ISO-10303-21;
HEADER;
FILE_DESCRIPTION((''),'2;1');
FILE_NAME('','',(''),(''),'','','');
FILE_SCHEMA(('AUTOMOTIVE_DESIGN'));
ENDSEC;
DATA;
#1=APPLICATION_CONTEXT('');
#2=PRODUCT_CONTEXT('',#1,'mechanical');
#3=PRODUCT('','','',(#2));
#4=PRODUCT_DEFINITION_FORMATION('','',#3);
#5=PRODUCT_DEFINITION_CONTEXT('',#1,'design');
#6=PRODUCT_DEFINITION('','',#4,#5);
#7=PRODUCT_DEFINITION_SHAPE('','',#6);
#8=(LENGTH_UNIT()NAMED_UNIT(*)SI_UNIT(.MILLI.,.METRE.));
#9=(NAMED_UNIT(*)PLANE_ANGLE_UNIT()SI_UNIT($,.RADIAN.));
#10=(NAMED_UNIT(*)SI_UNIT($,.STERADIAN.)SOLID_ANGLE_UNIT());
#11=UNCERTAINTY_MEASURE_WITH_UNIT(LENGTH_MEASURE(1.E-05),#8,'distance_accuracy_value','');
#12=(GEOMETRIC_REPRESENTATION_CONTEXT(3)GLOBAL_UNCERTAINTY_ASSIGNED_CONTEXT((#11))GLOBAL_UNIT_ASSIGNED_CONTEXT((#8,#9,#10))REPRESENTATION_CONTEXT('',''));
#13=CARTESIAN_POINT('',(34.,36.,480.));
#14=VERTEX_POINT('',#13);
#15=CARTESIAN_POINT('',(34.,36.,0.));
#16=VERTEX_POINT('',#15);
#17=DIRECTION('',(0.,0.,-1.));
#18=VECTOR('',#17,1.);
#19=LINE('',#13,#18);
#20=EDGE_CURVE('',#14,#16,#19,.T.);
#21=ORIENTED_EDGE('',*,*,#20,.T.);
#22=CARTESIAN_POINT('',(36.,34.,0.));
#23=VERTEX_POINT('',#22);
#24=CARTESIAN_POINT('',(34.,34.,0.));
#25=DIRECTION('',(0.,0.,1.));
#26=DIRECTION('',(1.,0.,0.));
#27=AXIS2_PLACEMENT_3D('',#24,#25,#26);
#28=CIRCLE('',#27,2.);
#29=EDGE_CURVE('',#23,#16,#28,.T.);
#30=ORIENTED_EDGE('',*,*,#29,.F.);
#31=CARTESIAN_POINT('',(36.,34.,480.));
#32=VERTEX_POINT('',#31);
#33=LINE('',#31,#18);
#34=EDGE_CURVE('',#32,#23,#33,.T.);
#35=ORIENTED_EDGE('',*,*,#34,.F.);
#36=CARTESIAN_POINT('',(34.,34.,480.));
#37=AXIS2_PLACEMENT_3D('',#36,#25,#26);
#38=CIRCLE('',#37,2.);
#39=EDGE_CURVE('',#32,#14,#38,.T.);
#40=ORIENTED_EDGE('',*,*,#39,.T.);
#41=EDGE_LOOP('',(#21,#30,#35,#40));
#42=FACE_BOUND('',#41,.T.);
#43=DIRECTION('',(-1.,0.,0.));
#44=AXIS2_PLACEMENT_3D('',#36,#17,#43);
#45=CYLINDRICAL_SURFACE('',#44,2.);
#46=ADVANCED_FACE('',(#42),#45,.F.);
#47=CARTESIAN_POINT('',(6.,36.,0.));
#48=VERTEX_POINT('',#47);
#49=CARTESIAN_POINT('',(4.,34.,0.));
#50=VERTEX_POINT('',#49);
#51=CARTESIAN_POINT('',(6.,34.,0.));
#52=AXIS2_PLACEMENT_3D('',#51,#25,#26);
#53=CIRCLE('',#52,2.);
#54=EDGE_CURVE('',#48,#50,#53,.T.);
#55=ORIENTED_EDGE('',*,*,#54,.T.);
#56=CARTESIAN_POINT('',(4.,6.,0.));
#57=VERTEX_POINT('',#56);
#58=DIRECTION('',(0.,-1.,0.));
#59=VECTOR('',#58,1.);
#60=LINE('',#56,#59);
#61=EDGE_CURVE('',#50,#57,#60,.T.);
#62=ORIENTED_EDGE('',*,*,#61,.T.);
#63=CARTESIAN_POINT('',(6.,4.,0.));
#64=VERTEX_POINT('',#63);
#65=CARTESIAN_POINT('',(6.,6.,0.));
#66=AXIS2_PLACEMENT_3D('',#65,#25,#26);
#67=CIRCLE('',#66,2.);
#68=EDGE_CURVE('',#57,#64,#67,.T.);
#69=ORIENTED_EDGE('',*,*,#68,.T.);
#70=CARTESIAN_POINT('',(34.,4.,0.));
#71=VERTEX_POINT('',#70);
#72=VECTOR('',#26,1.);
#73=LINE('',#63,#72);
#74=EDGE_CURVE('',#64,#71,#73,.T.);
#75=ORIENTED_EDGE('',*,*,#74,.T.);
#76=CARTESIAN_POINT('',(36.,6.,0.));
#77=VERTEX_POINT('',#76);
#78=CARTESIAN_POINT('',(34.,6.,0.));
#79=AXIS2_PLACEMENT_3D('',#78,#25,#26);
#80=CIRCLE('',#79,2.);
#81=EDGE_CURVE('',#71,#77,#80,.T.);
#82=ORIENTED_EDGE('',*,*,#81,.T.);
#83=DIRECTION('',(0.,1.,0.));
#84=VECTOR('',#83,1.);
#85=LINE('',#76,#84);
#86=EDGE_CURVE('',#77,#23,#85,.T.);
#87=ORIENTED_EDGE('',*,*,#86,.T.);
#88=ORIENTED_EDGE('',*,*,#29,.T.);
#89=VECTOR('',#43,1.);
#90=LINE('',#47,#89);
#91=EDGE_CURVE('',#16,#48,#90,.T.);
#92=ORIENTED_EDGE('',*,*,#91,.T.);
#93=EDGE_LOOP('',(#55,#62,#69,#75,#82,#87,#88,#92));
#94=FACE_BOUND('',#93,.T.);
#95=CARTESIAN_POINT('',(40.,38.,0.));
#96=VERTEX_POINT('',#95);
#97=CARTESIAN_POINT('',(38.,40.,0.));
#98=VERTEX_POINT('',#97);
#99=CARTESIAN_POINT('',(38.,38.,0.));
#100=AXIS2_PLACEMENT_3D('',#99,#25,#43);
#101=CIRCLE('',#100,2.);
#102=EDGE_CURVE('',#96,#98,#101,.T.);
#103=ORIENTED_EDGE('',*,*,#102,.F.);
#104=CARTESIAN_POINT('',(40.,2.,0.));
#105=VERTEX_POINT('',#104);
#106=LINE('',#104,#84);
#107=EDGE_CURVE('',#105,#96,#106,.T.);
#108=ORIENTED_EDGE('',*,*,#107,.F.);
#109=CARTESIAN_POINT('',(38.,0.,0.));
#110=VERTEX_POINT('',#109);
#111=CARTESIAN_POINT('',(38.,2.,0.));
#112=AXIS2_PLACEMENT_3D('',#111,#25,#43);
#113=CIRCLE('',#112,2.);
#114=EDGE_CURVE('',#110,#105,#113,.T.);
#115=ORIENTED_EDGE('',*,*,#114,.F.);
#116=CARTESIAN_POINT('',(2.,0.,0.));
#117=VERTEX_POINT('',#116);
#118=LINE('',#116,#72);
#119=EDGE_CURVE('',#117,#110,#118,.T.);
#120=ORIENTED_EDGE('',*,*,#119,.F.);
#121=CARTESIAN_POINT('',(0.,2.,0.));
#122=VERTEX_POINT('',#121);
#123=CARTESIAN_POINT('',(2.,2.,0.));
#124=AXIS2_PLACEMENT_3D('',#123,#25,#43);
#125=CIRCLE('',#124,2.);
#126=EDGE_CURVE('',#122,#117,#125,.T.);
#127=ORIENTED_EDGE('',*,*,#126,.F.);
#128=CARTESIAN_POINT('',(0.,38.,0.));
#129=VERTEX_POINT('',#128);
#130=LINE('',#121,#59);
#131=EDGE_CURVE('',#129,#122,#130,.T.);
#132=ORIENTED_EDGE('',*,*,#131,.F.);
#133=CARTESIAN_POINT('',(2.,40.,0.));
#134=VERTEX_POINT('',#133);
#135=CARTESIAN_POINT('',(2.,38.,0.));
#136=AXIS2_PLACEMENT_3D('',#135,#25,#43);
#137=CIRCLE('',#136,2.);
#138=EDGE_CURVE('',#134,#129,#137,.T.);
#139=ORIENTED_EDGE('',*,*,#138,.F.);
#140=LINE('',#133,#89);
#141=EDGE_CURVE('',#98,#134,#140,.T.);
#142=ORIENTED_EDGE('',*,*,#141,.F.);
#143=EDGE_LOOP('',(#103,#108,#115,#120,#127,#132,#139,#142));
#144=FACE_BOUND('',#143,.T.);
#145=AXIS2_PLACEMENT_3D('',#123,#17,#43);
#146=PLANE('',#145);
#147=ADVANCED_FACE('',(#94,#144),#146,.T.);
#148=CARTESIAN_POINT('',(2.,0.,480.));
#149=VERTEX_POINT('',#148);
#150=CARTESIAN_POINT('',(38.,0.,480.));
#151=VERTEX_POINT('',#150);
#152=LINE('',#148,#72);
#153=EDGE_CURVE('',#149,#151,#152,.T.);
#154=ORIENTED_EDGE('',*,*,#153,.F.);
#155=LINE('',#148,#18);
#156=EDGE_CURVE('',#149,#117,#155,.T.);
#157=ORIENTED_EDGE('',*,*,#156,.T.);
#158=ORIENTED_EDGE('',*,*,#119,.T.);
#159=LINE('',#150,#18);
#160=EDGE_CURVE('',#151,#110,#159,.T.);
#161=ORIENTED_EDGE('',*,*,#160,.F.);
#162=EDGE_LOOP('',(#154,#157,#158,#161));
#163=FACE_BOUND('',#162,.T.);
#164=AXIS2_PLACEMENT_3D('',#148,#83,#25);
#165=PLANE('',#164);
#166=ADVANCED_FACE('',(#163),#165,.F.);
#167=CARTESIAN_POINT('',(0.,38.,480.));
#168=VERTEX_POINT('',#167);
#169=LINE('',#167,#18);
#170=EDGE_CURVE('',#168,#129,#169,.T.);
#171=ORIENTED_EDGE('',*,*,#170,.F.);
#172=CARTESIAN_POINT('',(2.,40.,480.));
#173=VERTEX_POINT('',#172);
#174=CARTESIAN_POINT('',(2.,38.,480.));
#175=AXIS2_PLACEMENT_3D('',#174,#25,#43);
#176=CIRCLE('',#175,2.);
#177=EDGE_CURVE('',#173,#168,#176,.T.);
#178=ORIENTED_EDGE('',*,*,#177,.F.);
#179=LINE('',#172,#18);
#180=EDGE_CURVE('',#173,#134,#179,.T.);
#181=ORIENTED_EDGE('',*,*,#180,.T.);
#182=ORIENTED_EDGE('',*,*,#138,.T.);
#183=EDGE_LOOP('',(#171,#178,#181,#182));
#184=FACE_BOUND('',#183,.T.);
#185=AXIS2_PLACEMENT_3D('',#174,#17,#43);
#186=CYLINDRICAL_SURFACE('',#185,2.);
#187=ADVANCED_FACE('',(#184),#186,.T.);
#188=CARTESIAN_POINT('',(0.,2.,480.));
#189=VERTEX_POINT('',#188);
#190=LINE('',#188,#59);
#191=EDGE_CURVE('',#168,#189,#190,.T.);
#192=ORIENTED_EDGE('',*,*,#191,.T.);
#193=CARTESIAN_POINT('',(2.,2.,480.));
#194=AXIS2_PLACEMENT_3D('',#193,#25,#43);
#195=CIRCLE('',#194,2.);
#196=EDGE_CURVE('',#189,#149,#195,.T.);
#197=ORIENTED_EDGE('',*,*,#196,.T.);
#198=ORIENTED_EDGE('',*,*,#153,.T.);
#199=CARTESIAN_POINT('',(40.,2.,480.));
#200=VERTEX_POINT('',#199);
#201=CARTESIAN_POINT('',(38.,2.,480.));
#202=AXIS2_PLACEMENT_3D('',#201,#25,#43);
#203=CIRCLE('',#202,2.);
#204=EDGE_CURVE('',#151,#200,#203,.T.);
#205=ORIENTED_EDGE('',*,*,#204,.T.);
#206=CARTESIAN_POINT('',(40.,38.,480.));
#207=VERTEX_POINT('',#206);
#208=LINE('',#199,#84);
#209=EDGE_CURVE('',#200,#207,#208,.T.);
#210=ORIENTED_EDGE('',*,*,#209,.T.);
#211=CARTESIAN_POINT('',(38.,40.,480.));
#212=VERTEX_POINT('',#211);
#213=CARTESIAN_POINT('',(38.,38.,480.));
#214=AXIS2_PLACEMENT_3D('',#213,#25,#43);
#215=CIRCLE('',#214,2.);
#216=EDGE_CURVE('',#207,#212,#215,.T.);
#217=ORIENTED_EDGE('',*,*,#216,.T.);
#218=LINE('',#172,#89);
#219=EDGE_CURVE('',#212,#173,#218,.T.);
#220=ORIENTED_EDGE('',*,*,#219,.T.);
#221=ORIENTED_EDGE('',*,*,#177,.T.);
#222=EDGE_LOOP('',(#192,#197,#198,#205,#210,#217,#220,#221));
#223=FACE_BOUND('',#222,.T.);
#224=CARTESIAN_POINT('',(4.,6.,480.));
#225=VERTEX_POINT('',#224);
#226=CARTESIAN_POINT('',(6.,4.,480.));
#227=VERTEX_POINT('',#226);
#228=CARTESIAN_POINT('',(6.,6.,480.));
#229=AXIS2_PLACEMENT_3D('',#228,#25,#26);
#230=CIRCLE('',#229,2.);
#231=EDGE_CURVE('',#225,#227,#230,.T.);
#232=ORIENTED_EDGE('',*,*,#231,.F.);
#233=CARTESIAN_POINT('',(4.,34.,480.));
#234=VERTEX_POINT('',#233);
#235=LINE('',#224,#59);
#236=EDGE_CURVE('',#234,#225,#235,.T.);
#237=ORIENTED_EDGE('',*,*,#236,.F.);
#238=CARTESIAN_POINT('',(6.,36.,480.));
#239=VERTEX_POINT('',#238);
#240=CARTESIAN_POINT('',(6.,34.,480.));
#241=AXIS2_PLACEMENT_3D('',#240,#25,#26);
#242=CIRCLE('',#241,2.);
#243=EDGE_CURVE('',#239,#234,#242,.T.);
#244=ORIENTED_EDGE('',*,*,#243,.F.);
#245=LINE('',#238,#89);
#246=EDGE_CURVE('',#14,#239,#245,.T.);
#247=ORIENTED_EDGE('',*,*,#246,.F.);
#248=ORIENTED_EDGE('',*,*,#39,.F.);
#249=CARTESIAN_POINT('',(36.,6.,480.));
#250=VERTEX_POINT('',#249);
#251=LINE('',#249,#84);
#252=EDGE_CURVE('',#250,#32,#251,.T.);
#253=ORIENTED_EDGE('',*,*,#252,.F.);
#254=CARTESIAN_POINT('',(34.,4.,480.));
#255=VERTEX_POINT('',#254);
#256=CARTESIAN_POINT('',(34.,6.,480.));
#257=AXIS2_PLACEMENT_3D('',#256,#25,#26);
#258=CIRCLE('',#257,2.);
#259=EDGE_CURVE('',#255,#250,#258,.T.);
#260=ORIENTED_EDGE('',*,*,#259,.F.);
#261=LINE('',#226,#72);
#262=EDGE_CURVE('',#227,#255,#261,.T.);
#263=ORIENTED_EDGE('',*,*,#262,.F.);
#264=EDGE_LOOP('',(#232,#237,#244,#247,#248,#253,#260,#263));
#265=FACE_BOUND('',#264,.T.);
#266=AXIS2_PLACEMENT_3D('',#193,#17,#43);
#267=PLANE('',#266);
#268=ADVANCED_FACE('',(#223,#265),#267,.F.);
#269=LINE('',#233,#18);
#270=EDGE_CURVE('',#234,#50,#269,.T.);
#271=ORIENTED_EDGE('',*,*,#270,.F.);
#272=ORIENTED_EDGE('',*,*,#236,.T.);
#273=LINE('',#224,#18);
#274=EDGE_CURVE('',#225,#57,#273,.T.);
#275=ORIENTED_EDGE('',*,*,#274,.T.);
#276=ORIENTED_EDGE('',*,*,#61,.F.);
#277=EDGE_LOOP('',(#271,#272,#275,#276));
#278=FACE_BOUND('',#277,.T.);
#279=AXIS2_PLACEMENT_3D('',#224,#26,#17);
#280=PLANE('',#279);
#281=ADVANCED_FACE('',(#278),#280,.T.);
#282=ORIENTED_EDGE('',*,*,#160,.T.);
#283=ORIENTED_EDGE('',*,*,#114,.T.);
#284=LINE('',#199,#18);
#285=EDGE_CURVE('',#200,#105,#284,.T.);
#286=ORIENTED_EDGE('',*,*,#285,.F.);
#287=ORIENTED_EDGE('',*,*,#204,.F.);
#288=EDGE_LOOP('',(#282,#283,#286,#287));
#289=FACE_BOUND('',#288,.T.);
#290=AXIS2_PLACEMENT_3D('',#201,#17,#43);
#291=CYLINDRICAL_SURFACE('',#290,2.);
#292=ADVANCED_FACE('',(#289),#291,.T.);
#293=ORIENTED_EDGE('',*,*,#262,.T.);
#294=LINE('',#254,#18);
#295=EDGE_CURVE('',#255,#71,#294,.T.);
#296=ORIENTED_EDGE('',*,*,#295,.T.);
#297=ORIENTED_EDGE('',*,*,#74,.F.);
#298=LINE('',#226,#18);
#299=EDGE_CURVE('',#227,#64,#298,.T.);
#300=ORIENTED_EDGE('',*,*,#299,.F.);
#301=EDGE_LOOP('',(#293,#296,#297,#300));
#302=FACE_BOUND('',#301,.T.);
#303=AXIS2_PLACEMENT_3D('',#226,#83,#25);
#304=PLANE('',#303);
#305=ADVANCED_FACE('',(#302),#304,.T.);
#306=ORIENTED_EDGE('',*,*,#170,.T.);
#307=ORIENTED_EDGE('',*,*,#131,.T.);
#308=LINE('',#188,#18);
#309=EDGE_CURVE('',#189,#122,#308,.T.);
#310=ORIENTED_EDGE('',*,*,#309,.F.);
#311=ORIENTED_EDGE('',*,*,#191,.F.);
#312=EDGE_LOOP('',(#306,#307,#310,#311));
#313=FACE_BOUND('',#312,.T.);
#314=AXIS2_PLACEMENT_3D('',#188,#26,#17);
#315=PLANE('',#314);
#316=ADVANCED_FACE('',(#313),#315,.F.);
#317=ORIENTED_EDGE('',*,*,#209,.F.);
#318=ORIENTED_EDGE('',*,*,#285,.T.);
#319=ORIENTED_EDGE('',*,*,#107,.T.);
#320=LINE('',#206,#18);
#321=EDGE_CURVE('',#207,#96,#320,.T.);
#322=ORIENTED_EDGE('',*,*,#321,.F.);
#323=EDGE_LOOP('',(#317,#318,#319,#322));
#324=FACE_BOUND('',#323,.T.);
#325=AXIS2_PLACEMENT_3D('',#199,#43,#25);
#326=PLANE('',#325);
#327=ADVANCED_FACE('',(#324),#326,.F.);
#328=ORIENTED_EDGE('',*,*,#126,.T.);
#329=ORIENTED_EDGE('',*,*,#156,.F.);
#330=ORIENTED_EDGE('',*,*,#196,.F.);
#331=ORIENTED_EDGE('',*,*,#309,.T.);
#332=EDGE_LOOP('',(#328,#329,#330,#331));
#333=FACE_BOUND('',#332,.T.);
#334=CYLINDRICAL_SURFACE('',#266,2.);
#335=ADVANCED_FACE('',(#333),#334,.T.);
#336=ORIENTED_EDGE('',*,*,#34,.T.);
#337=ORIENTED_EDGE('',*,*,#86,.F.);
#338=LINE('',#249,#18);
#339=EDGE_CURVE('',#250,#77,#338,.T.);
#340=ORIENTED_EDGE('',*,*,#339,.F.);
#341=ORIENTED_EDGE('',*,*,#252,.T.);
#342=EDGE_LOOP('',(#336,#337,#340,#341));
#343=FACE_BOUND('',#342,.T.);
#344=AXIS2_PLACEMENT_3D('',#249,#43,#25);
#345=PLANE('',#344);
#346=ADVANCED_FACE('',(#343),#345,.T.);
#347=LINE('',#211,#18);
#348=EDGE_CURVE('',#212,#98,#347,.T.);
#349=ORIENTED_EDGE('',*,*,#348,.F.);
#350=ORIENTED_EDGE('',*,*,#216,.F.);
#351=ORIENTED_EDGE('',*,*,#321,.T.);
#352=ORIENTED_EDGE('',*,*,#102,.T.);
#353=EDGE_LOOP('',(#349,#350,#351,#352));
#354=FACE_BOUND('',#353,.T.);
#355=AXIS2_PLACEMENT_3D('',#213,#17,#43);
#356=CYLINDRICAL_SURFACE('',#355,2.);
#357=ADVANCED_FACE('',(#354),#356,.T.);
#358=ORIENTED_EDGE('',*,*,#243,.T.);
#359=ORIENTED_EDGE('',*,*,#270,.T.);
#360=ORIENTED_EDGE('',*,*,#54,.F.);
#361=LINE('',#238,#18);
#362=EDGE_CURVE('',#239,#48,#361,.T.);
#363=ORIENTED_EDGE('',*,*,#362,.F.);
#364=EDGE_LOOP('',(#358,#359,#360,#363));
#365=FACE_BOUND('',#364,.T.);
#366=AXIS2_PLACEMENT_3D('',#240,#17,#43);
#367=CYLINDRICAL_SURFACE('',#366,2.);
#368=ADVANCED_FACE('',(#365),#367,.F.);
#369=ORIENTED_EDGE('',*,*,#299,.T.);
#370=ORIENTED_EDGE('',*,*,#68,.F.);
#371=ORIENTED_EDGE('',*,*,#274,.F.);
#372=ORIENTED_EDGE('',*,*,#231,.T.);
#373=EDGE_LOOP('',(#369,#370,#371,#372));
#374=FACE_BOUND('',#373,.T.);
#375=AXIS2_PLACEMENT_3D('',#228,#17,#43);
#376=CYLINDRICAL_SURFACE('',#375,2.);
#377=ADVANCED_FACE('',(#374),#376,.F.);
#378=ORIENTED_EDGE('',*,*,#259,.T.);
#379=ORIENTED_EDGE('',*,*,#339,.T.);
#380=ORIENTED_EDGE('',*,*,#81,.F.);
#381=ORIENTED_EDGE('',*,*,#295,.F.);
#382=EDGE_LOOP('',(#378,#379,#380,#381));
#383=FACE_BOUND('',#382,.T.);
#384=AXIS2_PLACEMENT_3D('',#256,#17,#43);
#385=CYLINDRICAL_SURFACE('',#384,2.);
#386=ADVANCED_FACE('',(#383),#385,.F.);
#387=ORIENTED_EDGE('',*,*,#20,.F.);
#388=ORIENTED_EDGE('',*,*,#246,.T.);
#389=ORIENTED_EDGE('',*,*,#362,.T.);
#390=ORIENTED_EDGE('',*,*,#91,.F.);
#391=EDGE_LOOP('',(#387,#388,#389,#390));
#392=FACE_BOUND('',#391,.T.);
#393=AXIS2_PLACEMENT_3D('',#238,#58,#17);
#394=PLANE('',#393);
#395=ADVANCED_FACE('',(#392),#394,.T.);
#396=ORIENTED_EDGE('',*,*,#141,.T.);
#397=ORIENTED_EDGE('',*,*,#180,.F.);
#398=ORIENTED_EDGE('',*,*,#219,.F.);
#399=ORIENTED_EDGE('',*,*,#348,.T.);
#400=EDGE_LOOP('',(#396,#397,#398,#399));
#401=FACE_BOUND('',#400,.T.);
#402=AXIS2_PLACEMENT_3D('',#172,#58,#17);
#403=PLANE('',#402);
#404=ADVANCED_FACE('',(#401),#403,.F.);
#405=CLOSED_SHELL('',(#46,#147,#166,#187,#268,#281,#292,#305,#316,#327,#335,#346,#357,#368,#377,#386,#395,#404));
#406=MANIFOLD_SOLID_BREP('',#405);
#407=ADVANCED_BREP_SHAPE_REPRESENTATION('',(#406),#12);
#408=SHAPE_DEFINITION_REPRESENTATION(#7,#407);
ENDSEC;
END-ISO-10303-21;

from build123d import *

# Parameters (mm, degrees)
BOSS_EXTRU_1_DEPTH = 480


with BuildPart() as part:
    # Esquisse2 → Boss.-Extru.1 (new body)
    with BuildSketch(Plane.XY):
        with BuildLine():
            Line((2, 0), (38, 0))
            ThreePointArc((38, 0), (39.414213562, 0.585786438), (40, 2))
            Line((40, 2), (40, 38))
            ThreePointArc((40, 38), (39.414213562, 39.414213562), (38, 40))
            Line((38, 40), (2, 40))
            ThreePointArc((2, 40), (0.585786438, 39.414213562), (0, 38))
            Line((0, 38), (0, 2))
            ThreePointArc((0, 2), (0.585786438, 0.585786438), (2, 0))
        make_face()
        with BuildLine():
            Line((6, 4), (34, 4))
            ThreePointArc((34, 4), (35.414213562, 4.585786438), (36, 6))
            Line((36, 6), (36, 34))
            ThreePointArc((36, 34), (35.414213562, 35.414213562), (34, 36))
            Line((34, 36), (6, 36))
            ThreePointArc((6, 36), (4.585786438, 35.414213562), (4, 34))
            Line((4, 34), (4, 6))
            ThreePointArc((4, 6), (4.585786438, 4.585786438), (6, 4))
        make_face(mode=Mode.SUBTRACT)
    extrude(amount=BOSS_EXTRU_1_DEPTH)


solid = part.part
